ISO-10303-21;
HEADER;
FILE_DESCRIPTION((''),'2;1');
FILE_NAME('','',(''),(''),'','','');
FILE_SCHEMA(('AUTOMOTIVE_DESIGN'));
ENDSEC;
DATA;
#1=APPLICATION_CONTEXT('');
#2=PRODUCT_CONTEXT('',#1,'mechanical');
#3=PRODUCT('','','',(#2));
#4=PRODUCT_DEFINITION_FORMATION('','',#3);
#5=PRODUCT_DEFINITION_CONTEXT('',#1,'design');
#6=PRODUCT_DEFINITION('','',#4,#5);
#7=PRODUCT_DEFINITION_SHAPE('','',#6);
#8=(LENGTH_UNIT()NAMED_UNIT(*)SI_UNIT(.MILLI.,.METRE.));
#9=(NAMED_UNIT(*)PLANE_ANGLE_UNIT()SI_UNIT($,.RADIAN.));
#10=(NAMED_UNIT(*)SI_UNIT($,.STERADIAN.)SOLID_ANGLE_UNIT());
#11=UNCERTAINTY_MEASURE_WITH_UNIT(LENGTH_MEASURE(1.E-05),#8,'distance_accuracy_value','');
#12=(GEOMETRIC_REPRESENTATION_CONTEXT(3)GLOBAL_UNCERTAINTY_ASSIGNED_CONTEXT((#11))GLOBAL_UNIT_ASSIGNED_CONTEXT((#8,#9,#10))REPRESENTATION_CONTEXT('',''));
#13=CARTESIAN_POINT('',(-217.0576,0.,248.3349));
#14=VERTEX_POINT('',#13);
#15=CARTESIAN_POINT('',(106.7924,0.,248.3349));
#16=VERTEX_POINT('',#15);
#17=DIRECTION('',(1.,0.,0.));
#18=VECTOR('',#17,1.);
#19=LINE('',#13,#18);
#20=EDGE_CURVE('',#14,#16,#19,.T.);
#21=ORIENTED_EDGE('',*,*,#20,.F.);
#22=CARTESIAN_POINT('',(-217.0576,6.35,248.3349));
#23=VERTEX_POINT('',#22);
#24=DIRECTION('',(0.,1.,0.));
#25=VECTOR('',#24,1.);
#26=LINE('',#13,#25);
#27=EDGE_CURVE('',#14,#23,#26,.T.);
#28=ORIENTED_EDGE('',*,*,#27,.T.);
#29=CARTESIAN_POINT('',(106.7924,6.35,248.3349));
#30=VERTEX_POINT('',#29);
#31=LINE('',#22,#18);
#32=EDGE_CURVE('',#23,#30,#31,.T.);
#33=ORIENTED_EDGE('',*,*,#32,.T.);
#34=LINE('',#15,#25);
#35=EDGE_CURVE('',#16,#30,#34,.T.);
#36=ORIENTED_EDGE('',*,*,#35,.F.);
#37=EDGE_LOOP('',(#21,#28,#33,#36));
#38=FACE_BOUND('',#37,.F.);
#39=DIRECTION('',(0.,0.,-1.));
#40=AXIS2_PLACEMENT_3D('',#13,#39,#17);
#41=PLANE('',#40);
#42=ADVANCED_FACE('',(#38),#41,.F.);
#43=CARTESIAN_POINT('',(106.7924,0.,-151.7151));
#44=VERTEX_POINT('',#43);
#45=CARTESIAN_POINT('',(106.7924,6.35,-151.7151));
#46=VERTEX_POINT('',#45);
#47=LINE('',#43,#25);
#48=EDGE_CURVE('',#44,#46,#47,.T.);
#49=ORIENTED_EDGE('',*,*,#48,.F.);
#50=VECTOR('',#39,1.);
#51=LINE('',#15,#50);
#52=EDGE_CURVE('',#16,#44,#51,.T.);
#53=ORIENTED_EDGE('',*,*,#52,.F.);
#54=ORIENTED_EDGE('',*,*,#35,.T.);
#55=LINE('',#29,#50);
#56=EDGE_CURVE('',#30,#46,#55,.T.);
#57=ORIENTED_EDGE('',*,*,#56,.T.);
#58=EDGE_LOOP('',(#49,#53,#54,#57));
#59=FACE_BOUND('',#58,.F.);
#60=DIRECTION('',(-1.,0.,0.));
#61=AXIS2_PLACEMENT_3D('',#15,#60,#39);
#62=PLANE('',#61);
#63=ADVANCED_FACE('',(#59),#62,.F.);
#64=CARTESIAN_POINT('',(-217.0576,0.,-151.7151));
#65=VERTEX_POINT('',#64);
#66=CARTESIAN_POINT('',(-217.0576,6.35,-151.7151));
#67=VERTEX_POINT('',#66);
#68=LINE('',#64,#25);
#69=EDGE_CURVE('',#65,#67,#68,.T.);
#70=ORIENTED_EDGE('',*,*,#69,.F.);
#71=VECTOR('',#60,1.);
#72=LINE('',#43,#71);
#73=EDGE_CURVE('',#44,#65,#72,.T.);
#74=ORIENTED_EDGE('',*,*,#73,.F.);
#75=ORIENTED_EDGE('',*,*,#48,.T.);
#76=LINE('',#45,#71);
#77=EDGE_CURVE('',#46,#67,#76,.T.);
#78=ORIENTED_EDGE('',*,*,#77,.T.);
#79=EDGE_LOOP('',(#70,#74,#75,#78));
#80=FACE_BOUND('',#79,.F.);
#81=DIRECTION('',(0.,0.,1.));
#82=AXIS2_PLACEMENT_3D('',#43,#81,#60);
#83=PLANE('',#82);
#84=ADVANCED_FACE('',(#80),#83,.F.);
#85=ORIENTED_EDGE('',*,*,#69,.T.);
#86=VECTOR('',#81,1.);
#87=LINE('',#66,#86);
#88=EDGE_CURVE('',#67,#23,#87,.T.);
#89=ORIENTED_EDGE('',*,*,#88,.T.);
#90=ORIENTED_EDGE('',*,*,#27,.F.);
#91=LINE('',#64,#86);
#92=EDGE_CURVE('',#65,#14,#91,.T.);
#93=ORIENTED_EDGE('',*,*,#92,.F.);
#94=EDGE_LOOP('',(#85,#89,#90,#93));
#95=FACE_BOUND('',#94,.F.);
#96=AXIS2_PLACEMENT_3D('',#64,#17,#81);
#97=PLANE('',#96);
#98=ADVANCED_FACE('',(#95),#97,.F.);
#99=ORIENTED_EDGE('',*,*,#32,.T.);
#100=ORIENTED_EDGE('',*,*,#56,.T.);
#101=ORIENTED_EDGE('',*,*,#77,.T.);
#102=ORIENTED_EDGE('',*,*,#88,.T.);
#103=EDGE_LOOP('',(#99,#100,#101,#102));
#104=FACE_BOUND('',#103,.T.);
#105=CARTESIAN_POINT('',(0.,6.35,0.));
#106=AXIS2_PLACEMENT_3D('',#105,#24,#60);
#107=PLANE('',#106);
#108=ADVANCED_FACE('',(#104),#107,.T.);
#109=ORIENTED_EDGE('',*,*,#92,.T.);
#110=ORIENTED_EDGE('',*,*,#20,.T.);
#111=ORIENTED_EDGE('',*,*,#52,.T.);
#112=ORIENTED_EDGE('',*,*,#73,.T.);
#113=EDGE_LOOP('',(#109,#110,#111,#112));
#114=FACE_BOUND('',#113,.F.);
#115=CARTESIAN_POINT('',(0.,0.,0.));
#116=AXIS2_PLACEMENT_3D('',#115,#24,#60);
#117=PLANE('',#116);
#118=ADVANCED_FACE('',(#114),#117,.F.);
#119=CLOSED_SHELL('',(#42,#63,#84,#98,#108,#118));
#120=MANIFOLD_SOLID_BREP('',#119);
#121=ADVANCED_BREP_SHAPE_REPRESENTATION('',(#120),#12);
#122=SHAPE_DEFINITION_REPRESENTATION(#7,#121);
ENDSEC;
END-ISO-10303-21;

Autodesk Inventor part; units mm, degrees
ref_plane "YZ Plane" through (0, 0, 0) normal (1, 0, 0) x (0, 1, 0)
ref_plane "XZ Plane" through (0, 0, 0) normal (0, 1, 0) x (-1, 0, 0)
ref_plane "XY Plane" through (0, 0, 0) normal (0, 0, 1) x (1, 0, 0)
sketch "Sketch1" plane through (0, 0, 0) normal (0, 1, 0) x (-1, 0, 0)
  line L0 (-106.7924, -151.7151) -> (217.0576, -151.7151)
  line L1 (217.0576, -151.7151) -> (217.0576, 248.3349)
  line L2 (217.0576, 248.3349) -> (-106.7924, 248.3349)
  line L3 (-106.7924, 248.3349) -> (-106.7924, -151.7151)
  point P0 (0, 0)
  dimension "d0" = 323.85
  dimension "d1" = 400.05
extrude "Extrusion1" add sketch "Sketch1" along normal blind 6.35
properties part number "BasePlate"
